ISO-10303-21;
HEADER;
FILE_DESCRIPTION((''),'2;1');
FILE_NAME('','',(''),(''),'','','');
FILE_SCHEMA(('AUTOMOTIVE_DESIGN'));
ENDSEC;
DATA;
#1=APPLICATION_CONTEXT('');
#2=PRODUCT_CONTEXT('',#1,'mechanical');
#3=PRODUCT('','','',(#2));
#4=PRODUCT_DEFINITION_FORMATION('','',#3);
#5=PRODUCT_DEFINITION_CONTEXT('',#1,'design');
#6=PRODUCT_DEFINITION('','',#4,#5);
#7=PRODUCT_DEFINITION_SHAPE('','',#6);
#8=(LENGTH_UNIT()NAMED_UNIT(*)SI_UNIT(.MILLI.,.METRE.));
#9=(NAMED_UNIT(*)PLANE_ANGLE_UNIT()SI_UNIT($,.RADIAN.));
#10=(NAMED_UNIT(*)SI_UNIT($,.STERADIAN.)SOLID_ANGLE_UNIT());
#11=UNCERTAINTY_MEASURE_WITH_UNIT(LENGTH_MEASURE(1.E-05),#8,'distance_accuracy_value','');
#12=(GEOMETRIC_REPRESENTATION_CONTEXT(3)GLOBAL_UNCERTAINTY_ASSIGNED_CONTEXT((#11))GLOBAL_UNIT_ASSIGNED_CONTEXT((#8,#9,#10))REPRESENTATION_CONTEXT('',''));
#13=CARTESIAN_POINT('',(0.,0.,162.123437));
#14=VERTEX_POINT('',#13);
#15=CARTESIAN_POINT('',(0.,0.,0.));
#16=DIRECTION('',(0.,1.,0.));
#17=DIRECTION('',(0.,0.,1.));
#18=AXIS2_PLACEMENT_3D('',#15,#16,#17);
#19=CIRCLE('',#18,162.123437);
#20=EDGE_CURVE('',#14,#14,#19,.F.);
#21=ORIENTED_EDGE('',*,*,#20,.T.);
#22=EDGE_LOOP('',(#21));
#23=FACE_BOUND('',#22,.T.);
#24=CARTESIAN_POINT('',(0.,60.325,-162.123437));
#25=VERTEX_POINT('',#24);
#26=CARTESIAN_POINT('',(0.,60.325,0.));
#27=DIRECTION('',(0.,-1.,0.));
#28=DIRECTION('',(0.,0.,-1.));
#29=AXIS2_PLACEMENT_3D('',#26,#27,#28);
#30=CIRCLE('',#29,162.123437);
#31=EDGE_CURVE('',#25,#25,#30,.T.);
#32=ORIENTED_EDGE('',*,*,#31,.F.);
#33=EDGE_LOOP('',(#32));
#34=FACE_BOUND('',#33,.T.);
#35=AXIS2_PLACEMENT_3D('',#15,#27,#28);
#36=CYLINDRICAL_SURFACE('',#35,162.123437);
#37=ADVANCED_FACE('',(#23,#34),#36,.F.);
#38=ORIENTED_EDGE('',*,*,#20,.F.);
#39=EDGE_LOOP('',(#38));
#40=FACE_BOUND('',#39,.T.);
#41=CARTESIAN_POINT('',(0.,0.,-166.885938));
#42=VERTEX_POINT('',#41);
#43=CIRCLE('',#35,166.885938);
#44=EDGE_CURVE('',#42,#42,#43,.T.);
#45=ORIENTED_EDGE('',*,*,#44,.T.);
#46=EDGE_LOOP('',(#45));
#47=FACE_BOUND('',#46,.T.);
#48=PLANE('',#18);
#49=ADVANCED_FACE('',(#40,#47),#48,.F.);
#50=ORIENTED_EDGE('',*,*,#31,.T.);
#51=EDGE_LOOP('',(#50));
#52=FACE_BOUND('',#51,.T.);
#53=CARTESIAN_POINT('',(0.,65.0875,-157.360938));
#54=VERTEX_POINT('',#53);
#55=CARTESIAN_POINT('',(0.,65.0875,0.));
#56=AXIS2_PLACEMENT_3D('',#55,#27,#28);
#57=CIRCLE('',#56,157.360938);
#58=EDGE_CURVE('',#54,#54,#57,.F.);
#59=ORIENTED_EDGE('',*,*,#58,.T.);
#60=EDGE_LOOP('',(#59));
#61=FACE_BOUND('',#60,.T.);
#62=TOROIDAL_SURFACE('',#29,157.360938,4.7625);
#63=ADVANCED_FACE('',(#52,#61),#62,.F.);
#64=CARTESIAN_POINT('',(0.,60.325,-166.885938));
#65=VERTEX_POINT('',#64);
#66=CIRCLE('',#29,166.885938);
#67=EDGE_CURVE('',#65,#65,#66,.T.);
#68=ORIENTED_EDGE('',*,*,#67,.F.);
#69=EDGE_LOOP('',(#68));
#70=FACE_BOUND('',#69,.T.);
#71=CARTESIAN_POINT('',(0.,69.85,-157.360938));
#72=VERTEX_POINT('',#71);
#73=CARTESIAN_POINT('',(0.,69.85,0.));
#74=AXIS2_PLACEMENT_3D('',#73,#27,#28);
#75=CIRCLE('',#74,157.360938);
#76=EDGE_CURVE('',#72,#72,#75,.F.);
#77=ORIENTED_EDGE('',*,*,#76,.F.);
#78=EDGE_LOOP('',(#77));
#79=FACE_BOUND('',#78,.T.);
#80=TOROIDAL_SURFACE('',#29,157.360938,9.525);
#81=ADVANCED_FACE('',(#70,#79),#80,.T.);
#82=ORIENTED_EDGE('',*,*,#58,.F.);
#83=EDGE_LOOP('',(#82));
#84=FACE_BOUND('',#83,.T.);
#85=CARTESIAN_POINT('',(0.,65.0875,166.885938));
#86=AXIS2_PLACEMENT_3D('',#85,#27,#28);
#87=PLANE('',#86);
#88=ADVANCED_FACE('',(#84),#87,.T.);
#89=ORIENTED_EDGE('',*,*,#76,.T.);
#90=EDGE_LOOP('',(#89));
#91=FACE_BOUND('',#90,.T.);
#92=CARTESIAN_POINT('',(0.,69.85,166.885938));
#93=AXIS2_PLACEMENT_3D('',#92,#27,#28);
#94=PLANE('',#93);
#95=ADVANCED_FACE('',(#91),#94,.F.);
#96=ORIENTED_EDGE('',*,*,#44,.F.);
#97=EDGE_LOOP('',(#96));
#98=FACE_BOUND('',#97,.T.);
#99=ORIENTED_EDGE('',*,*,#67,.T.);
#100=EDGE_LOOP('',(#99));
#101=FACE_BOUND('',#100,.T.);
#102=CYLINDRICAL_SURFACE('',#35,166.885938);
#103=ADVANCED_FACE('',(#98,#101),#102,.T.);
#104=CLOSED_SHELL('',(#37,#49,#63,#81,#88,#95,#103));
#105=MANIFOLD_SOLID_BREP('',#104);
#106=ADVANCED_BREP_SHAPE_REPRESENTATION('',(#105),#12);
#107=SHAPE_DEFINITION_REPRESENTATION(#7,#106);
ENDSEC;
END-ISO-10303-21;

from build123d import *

# Parameters (mm, degrees)
SKETCH1_W = 166.8859375
SKETCH1_H = 69.85
FILLET1_R = 9.525
SHELL1_T  = -4.7625


with BuildPart() as part:
    # Sketch1 → Revolve1 (revolve)
    with BuildSketch(Plane(origin=(0, 0, 0), x_dir=(0, 0, -1), z_dir=(1, 0, 0)), mode=Mode.PRIVATE) as revolve1_sk:
        with Locations((-83.44296875, 34.925)):
            Rectangle(SKETCH1_W, SKETCH1_H)
    revolve(revolve1_sk.sketch.rotate(Axis((0, 0, 0), (0, 1, 0)), 180), axis=Axis((0, 0, 0), (0, 1, 0)))

    # Fillet1
    fillet1_edges = [part.edges().sort_by_distance(p)[0] for p in [
        (0, 69.85, 166.8859375),
    ]]
    fillet(fillet1_edges, radius=FILLET1_R)

    # Shell1
    shell1_openings = [part.faces().sort_by_distance(p)[0] for p in [
        (0, 0, 0),
    ]]
    offset(amount=SHELL1_T, openings=shell1_openings, kind=Kind.INTERSECTION)


solid = part.part
